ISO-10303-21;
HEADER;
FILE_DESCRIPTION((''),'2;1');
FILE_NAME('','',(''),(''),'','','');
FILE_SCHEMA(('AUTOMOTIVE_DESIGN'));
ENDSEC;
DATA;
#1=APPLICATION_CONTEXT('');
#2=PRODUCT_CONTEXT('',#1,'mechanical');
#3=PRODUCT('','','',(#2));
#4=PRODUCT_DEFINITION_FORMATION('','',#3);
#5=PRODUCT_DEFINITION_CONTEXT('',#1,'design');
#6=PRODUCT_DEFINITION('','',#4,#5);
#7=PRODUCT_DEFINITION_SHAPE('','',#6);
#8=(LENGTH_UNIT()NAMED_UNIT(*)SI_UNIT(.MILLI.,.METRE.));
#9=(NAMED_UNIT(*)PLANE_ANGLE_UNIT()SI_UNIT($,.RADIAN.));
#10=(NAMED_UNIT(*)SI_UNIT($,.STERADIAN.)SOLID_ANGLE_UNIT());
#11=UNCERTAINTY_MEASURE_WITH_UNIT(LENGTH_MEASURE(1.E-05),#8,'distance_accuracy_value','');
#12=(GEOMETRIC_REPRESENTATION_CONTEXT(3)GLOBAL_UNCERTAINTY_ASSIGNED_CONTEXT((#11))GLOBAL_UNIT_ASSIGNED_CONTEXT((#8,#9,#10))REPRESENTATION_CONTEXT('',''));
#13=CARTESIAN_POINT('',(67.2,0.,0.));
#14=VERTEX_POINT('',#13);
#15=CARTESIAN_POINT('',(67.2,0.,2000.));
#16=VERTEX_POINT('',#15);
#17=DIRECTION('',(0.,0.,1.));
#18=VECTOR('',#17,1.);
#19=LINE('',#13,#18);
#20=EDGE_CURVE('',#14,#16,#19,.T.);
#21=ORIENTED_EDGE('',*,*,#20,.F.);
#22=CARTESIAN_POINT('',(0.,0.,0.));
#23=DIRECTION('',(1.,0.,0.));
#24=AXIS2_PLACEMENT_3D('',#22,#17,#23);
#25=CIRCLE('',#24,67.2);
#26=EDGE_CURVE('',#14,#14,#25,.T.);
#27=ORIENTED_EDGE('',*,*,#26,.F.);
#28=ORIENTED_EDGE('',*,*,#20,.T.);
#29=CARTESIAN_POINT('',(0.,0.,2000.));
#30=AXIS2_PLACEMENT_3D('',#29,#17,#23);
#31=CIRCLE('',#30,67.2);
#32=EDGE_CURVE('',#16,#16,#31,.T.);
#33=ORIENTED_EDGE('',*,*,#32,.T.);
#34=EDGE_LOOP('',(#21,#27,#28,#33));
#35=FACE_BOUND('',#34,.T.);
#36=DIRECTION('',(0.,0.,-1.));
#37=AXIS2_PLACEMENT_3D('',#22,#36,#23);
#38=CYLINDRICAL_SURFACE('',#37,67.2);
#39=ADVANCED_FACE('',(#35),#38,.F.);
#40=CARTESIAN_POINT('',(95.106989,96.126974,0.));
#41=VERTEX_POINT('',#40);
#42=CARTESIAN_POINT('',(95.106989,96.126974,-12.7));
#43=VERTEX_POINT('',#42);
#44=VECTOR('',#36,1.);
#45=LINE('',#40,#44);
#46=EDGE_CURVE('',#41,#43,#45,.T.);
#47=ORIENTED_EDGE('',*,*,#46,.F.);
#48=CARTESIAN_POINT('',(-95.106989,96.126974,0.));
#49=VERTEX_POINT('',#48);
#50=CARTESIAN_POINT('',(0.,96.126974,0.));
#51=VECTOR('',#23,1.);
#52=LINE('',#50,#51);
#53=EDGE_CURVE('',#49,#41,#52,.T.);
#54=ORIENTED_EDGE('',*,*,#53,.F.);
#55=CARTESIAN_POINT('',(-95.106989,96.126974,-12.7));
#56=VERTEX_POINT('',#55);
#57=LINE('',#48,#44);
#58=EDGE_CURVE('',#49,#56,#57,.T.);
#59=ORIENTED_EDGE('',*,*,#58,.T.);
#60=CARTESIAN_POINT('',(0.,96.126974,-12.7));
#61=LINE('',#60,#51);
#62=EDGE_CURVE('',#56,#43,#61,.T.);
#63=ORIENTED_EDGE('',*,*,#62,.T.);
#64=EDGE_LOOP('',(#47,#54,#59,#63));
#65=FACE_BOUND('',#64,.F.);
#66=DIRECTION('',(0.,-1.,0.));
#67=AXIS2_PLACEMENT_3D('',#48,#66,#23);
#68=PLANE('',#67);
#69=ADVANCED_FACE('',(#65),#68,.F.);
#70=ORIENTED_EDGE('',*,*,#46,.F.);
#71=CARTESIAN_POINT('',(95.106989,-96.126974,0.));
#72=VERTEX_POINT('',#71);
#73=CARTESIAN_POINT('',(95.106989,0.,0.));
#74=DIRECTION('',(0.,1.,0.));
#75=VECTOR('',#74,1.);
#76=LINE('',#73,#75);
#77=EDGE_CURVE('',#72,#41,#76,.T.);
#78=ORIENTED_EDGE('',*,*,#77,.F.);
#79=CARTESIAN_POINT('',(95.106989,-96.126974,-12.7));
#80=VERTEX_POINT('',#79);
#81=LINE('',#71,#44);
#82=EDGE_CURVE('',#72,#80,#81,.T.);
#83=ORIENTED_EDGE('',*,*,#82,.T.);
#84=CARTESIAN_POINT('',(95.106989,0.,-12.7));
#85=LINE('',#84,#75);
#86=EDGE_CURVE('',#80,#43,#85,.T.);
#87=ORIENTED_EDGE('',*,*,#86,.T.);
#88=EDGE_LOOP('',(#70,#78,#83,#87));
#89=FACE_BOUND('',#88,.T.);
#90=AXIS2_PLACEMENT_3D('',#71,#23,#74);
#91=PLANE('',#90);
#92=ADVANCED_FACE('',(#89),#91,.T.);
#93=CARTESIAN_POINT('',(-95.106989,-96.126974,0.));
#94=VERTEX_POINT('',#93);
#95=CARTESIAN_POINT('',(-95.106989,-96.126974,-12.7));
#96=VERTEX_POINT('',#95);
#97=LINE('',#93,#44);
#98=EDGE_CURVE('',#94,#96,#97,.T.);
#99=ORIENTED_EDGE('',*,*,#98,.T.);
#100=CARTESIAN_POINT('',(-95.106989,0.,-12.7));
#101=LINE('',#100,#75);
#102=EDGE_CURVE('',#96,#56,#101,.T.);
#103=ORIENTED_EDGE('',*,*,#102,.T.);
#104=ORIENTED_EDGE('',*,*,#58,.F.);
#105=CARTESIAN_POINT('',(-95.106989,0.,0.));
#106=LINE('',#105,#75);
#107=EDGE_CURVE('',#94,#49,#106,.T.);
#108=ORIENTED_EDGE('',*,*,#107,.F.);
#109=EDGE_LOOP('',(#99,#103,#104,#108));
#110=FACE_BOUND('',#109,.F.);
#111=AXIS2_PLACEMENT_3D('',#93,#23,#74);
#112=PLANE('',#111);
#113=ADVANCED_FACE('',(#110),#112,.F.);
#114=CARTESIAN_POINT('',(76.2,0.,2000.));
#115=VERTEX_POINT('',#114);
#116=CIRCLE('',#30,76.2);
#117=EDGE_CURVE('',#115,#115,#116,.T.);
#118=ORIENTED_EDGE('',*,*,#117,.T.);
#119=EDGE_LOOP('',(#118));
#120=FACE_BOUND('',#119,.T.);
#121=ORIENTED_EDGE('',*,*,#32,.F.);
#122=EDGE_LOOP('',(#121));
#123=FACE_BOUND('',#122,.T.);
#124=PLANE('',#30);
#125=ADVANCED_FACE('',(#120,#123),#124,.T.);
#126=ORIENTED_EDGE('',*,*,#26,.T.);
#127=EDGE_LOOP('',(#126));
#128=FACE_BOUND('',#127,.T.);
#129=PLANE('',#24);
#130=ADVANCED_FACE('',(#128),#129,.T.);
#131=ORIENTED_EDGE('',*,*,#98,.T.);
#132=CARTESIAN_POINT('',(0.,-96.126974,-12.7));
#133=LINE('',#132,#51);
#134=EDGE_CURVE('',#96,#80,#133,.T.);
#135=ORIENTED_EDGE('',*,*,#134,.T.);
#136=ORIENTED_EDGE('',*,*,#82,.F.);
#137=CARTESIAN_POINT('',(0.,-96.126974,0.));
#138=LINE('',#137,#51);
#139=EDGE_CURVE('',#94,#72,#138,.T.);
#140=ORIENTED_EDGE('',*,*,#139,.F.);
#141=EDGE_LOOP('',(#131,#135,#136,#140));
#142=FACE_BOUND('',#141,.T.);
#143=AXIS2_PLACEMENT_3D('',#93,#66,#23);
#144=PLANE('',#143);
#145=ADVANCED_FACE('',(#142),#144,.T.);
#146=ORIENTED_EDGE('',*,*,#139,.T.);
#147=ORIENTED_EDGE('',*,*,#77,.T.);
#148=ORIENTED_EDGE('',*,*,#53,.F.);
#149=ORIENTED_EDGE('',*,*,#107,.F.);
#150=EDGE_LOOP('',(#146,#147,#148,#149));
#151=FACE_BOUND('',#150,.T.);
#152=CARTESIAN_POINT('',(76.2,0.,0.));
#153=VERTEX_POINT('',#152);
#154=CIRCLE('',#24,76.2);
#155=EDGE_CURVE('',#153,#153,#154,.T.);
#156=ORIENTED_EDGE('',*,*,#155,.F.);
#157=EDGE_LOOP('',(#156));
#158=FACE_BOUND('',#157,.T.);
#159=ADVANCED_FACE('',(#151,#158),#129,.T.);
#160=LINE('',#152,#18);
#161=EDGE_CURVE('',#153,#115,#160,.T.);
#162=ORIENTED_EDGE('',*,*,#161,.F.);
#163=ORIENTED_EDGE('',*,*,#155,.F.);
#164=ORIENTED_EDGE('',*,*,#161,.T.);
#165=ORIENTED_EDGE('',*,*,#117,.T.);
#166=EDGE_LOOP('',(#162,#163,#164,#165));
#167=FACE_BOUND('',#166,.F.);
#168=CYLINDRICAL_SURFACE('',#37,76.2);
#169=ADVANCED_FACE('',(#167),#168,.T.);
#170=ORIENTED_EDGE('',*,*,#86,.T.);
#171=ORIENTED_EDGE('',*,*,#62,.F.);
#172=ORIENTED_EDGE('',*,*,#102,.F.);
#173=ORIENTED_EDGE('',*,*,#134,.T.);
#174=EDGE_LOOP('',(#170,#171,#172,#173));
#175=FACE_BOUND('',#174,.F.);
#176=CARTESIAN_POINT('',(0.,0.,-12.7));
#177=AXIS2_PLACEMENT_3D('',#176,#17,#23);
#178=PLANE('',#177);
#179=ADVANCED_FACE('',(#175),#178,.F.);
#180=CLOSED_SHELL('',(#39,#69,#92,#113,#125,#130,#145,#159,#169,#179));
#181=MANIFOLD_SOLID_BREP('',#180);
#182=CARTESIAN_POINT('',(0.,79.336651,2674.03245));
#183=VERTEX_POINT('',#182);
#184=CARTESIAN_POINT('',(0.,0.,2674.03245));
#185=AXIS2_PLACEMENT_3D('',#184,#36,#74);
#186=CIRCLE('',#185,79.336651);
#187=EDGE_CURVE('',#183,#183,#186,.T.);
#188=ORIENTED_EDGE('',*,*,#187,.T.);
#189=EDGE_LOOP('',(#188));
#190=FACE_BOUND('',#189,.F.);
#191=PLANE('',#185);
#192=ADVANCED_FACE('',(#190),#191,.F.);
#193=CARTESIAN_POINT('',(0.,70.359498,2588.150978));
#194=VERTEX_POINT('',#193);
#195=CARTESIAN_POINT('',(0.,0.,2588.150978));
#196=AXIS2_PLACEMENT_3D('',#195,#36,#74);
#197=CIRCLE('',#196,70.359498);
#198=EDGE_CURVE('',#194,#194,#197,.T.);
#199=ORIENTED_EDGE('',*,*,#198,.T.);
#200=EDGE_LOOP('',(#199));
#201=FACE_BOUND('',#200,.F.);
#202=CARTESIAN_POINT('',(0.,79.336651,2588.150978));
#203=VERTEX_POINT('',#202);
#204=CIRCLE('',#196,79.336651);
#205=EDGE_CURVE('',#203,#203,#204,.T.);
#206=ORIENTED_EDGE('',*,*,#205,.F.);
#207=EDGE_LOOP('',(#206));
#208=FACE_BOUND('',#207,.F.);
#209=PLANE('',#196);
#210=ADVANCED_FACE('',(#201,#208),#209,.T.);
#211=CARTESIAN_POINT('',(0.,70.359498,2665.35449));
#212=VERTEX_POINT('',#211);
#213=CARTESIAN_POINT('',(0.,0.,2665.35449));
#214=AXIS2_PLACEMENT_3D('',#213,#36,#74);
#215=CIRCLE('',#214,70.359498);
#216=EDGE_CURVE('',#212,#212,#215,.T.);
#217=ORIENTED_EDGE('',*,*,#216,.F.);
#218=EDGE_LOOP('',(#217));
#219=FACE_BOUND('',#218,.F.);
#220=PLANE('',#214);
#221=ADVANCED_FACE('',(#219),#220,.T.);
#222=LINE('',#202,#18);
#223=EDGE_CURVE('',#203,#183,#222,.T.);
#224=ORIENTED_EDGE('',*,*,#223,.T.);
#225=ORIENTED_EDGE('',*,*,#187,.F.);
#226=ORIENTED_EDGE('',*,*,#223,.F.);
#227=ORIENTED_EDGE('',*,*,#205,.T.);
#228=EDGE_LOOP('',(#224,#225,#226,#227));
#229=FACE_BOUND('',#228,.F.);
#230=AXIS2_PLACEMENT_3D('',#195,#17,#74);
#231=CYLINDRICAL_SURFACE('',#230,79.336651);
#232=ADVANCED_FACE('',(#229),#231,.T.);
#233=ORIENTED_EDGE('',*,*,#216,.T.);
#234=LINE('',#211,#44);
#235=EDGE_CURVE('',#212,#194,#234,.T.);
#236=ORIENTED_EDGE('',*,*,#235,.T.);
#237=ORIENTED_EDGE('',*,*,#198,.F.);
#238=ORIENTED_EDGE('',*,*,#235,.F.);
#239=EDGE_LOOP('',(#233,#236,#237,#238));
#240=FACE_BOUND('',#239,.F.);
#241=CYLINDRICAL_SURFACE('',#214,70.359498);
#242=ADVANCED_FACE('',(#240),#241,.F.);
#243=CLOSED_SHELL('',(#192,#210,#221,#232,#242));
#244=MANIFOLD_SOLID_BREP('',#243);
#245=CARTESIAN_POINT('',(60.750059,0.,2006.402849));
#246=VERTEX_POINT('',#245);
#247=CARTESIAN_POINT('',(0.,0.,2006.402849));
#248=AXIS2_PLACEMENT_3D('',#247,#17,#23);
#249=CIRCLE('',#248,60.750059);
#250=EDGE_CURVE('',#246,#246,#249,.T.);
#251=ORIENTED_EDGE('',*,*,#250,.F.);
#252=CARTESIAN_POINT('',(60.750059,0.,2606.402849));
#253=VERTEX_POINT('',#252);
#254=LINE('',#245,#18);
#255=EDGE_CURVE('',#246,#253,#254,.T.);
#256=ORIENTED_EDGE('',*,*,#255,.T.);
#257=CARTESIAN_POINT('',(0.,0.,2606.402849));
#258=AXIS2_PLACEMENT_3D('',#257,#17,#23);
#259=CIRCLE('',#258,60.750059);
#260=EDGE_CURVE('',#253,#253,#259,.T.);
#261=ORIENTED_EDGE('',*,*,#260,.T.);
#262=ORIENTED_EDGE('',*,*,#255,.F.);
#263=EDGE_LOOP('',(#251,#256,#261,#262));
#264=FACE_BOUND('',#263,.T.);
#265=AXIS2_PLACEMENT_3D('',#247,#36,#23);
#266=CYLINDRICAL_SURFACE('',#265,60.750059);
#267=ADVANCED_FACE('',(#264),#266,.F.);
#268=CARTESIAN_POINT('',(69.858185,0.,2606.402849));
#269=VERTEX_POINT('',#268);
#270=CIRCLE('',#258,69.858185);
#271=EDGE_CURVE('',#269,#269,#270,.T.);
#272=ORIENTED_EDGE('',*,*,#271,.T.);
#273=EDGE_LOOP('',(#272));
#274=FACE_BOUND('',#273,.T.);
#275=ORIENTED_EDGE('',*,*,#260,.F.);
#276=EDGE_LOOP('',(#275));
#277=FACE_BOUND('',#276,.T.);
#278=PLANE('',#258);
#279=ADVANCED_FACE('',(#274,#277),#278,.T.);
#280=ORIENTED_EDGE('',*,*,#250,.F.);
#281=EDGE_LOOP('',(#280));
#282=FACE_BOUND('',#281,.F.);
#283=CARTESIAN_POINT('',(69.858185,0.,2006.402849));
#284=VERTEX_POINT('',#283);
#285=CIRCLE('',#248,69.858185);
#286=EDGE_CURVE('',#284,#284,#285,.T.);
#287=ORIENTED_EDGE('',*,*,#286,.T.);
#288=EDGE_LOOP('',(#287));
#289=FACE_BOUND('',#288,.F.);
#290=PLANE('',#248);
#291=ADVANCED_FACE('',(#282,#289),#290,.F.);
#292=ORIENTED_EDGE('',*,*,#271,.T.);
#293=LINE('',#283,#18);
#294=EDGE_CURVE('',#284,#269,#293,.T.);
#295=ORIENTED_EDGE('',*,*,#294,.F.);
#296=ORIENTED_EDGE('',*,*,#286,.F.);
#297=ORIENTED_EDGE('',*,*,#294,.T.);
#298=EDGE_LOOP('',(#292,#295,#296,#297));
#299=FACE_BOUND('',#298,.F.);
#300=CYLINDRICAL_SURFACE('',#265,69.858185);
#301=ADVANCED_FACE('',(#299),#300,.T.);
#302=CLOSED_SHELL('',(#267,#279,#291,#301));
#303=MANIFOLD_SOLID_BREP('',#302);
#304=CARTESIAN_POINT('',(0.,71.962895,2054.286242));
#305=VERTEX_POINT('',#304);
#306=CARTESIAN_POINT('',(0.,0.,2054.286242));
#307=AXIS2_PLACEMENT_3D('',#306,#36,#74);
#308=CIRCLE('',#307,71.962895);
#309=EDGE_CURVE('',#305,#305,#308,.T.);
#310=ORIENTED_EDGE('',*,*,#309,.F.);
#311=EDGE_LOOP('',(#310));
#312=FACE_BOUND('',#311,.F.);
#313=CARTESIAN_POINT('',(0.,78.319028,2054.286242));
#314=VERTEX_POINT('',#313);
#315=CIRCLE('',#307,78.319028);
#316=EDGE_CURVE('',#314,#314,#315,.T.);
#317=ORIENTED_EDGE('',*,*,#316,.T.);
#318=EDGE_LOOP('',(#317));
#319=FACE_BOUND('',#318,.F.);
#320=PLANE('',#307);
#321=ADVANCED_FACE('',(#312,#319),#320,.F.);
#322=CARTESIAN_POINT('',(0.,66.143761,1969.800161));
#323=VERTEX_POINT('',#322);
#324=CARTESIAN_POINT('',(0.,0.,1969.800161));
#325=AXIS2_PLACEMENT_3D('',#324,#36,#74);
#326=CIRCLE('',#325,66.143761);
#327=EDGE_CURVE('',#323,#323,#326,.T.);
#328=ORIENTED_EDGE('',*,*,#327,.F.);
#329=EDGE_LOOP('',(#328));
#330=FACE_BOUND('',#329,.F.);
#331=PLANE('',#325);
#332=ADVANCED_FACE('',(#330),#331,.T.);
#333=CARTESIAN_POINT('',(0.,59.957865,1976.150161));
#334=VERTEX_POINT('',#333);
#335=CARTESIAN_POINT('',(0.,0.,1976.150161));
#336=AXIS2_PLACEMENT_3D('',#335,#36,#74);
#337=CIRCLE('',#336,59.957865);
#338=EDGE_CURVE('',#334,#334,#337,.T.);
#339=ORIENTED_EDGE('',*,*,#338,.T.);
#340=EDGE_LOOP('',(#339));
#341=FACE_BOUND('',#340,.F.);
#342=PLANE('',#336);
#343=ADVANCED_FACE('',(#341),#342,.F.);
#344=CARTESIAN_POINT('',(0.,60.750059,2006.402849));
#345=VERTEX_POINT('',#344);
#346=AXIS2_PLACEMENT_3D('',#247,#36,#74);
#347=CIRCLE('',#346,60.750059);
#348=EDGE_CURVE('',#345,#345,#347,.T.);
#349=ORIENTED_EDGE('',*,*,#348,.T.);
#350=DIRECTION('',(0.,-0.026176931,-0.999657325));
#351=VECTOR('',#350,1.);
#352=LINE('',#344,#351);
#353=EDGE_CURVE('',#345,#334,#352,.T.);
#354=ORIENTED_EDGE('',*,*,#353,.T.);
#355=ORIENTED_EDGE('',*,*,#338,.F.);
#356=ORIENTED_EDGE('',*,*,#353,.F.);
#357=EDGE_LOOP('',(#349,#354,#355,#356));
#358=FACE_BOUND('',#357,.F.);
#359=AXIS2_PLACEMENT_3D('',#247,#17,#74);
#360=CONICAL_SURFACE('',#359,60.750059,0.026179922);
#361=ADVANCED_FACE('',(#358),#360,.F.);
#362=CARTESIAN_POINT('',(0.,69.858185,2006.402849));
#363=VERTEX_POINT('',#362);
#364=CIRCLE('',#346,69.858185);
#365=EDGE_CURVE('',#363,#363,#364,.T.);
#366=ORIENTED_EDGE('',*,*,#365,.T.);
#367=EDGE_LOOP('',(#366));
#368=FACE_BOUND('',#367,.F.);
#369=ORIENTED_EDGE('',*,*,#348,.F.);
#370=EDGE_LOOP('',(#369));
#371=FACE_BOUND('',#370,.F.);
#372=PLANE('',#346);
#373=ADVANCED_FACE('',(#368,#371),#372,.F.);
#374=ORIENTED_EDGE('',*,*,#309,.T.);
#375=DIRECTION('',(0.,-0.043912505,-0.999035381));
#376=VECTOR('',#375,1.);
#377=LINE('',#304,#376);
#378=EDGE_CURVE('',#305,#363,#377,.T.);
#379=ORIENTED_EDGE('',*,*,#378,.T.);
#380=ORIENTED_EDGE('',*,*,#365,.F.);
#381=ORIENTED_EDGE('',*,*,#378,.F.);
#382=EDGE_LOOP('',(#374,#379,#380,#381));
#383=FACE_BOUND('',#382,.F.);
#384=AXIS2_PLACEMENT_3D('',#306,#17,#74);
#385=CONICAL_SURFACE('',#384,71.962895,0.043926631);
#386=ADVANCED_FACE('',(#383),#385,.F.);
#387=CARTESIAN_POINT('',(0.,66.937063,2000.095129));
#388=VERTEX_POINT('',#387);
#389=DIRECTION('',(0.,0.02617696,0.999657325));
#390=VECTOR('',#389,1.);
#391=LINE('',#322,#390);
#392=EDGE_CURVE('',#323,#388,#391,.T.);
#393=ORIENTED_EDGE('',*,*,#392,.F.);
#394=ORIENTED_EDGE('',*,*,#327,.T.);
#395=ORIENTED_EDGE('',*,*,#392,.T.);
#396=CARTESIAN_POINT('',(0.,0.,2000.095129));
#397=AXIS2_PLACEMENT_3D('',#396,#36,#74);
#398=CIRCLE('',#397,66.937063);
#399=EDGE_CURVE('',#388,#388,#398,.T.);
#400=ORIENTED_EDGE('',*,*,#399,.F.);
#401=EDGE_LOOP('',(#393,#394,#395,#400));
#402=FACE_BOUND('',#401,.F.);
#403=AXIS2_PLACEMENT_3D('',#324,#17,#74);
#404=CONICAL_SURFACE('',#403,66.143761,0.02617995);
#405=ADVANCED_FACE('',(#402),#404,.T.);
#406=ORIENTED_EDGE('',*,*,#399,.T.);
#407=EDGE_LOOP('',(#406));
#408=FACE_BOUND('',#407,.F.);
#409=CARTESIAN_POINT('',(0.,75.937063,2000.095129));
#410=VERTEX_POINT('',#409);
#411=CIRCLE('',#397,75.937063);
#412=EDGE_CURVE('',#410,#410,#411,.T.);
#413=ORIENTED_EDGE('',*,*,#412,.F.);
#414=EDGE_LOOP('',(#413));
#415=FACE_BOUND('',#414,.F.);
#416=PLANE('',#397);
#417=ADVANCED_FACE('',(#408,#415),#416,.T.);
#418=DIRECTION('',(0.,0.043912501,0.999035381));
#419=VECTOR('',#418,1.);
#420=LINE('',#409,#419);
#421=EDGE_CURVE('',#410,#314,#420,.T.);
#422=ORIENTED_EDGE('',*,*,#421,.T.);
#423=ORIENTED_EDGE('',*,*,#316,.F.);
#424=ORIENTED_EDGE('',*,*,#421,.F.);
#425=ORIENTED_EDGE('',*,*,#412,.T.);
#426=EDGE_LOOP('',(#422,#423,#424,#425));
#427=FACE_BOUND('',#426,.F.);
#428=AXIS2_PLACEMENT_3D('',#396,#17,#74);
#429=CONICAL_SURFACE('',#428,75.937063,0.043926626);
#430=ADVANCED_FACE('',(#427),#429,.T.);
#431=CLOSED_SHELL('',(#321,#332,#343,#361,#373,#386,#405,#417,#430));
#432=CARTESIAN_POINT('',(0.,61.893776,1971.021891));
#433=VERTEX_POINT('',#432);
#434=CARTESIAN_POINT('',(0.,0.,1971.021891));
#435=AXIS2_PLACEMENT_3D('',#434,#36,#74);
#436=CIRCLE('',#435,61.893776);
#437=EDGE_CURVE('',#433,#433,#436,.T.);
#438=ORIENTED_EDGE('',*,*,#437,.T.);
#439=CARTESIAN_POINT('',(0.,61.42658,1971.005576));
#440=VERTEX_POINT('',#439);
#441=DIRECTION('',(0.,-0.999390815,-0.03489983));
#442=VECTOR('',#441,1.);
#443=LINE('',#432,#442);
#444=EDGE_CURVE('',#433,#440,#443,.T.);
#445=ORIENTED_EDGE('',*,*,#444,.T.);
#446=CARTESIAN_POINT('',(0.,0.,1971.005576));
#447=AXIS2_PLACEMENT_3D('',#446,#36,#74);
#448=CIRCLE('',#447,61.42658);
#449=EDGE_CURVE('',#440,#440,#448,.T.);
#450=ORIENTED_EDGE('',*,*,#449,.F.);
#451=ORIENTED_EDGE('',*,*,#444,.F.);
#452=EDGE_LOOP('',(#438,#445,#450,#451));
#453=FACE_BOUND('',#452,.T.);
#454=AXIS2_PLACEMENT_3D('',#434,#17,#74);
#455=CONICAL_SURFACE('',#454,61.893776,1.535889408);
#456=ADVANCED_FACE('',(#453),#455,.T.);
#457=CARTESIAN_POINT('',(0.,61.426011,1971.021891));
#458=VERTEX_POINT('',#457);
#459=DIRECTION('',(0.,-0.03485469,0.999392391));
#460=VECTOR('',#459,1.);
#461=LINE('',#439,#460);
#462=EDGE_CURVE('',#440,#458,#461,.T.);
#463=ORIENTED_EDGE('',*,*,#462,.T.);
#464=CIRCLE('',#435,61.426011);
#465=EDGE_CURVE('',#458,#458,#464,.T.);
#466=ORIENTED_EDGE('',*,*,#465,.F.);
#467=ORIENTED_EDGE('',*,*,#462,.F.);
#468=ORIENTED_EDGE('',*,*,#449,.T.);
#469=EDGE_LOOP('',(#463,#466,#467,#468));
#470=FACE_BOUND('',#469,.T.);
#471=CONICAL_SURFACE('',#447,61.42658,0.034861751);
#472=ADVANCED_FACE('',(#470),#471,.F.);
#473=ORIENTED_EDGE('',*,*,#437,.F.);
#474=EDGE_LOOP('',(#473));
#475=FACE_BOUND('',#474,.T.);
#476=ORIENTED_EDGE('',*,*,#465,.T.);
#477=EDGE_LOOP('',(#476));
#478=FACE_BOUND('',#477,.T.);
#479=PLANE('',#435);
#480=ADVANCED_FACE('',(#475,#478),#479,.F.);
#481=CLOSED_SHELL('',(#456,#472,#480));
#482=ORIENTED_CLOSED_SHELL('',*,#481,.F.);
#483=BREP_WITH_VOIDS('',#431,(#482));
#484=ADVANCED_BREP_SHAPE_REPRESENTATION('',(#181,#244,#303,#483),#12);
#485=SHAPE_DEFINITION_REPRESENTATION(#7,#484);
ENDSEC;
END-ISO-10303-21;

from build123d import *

# Parameters (mm, degrees)
F0_R        = 76.2
F0_R_2      = 67.2
F1_DEPTH    = 2000
F2_W        = 190.213978
F2_H        = 192.253948
F3_DEPTH    = 12.7
F5_FACE_R   = 69.858185
F5_FACE_R_2 = 60.750059
F6_DEPTH    = 600


with BuildPart() as f1:
    # F0 (on Top) → F1 (new body)
    with BuildSketch(Plane.XY):
        Circle(F0_R)
        Circle(F0_R_2, mode=Mode.SUBTRACT)
    extrude(amount=F1_DEPTH)

    # F2 (on Top) → F3 (join)
    with BuildSketch(Plane.XY):
        Rectangle(F2_W, F2_H)
    extrude(amount=-F3_DEPTH)


with BuildPart() as f5:
    # F4 (on Right) → F5 (revolve)
    with BuildSketch(Plane.YZ):
        Polygon((66.937063, 2000.095129), (75.937063, 2000.095129), (78.319028, 2054.286242), (71.962895, 2054.286242), (69.858185, 2006.402849), (60.750059, 2006.402849), (59.957865, 1976.150161), (0, 1976.150161), (0, 1969.800161), (66.143761, 1969.800161), align=None)
        Polygon((61.426011, 1971.021891), (61.893776, 1971.021891), (61.42658, 1971.005576), align=None, mode=Mode.SUBTRACT)
    revolve(axis=Axis((0, 0, 2033.346772), (0, 0, -1)))


with BuildPart() as f6:
    # F5_face (on face) → F6 (new body)
    with BuildSketch(Plane.XY.offset(2006.402849)):
        Circle(F5_FACE_R)
        Circle(F5_FACE_R_2, mode=Mode.SUBTRACT)
    extrude(amount=F6_DEPTH)


with BuildPart() as f8:
    # F7 (on Right) → F8 (revolve)
    with BuildSketch(Plane.YZ):
        Polygon((70.359498, 2665.35449), (70.359498, 2588.150978), (79.336651, 2588.150978), (79.336651, 2674.03245), (0, 2674.03245), (0, 2665.35449), align=None)
    revolve(axis=Axis((0, 0, 2669.69347), (0, 0, -1)))


solid = Compound([f1.part, f5.part, f6.part, f8.part])
